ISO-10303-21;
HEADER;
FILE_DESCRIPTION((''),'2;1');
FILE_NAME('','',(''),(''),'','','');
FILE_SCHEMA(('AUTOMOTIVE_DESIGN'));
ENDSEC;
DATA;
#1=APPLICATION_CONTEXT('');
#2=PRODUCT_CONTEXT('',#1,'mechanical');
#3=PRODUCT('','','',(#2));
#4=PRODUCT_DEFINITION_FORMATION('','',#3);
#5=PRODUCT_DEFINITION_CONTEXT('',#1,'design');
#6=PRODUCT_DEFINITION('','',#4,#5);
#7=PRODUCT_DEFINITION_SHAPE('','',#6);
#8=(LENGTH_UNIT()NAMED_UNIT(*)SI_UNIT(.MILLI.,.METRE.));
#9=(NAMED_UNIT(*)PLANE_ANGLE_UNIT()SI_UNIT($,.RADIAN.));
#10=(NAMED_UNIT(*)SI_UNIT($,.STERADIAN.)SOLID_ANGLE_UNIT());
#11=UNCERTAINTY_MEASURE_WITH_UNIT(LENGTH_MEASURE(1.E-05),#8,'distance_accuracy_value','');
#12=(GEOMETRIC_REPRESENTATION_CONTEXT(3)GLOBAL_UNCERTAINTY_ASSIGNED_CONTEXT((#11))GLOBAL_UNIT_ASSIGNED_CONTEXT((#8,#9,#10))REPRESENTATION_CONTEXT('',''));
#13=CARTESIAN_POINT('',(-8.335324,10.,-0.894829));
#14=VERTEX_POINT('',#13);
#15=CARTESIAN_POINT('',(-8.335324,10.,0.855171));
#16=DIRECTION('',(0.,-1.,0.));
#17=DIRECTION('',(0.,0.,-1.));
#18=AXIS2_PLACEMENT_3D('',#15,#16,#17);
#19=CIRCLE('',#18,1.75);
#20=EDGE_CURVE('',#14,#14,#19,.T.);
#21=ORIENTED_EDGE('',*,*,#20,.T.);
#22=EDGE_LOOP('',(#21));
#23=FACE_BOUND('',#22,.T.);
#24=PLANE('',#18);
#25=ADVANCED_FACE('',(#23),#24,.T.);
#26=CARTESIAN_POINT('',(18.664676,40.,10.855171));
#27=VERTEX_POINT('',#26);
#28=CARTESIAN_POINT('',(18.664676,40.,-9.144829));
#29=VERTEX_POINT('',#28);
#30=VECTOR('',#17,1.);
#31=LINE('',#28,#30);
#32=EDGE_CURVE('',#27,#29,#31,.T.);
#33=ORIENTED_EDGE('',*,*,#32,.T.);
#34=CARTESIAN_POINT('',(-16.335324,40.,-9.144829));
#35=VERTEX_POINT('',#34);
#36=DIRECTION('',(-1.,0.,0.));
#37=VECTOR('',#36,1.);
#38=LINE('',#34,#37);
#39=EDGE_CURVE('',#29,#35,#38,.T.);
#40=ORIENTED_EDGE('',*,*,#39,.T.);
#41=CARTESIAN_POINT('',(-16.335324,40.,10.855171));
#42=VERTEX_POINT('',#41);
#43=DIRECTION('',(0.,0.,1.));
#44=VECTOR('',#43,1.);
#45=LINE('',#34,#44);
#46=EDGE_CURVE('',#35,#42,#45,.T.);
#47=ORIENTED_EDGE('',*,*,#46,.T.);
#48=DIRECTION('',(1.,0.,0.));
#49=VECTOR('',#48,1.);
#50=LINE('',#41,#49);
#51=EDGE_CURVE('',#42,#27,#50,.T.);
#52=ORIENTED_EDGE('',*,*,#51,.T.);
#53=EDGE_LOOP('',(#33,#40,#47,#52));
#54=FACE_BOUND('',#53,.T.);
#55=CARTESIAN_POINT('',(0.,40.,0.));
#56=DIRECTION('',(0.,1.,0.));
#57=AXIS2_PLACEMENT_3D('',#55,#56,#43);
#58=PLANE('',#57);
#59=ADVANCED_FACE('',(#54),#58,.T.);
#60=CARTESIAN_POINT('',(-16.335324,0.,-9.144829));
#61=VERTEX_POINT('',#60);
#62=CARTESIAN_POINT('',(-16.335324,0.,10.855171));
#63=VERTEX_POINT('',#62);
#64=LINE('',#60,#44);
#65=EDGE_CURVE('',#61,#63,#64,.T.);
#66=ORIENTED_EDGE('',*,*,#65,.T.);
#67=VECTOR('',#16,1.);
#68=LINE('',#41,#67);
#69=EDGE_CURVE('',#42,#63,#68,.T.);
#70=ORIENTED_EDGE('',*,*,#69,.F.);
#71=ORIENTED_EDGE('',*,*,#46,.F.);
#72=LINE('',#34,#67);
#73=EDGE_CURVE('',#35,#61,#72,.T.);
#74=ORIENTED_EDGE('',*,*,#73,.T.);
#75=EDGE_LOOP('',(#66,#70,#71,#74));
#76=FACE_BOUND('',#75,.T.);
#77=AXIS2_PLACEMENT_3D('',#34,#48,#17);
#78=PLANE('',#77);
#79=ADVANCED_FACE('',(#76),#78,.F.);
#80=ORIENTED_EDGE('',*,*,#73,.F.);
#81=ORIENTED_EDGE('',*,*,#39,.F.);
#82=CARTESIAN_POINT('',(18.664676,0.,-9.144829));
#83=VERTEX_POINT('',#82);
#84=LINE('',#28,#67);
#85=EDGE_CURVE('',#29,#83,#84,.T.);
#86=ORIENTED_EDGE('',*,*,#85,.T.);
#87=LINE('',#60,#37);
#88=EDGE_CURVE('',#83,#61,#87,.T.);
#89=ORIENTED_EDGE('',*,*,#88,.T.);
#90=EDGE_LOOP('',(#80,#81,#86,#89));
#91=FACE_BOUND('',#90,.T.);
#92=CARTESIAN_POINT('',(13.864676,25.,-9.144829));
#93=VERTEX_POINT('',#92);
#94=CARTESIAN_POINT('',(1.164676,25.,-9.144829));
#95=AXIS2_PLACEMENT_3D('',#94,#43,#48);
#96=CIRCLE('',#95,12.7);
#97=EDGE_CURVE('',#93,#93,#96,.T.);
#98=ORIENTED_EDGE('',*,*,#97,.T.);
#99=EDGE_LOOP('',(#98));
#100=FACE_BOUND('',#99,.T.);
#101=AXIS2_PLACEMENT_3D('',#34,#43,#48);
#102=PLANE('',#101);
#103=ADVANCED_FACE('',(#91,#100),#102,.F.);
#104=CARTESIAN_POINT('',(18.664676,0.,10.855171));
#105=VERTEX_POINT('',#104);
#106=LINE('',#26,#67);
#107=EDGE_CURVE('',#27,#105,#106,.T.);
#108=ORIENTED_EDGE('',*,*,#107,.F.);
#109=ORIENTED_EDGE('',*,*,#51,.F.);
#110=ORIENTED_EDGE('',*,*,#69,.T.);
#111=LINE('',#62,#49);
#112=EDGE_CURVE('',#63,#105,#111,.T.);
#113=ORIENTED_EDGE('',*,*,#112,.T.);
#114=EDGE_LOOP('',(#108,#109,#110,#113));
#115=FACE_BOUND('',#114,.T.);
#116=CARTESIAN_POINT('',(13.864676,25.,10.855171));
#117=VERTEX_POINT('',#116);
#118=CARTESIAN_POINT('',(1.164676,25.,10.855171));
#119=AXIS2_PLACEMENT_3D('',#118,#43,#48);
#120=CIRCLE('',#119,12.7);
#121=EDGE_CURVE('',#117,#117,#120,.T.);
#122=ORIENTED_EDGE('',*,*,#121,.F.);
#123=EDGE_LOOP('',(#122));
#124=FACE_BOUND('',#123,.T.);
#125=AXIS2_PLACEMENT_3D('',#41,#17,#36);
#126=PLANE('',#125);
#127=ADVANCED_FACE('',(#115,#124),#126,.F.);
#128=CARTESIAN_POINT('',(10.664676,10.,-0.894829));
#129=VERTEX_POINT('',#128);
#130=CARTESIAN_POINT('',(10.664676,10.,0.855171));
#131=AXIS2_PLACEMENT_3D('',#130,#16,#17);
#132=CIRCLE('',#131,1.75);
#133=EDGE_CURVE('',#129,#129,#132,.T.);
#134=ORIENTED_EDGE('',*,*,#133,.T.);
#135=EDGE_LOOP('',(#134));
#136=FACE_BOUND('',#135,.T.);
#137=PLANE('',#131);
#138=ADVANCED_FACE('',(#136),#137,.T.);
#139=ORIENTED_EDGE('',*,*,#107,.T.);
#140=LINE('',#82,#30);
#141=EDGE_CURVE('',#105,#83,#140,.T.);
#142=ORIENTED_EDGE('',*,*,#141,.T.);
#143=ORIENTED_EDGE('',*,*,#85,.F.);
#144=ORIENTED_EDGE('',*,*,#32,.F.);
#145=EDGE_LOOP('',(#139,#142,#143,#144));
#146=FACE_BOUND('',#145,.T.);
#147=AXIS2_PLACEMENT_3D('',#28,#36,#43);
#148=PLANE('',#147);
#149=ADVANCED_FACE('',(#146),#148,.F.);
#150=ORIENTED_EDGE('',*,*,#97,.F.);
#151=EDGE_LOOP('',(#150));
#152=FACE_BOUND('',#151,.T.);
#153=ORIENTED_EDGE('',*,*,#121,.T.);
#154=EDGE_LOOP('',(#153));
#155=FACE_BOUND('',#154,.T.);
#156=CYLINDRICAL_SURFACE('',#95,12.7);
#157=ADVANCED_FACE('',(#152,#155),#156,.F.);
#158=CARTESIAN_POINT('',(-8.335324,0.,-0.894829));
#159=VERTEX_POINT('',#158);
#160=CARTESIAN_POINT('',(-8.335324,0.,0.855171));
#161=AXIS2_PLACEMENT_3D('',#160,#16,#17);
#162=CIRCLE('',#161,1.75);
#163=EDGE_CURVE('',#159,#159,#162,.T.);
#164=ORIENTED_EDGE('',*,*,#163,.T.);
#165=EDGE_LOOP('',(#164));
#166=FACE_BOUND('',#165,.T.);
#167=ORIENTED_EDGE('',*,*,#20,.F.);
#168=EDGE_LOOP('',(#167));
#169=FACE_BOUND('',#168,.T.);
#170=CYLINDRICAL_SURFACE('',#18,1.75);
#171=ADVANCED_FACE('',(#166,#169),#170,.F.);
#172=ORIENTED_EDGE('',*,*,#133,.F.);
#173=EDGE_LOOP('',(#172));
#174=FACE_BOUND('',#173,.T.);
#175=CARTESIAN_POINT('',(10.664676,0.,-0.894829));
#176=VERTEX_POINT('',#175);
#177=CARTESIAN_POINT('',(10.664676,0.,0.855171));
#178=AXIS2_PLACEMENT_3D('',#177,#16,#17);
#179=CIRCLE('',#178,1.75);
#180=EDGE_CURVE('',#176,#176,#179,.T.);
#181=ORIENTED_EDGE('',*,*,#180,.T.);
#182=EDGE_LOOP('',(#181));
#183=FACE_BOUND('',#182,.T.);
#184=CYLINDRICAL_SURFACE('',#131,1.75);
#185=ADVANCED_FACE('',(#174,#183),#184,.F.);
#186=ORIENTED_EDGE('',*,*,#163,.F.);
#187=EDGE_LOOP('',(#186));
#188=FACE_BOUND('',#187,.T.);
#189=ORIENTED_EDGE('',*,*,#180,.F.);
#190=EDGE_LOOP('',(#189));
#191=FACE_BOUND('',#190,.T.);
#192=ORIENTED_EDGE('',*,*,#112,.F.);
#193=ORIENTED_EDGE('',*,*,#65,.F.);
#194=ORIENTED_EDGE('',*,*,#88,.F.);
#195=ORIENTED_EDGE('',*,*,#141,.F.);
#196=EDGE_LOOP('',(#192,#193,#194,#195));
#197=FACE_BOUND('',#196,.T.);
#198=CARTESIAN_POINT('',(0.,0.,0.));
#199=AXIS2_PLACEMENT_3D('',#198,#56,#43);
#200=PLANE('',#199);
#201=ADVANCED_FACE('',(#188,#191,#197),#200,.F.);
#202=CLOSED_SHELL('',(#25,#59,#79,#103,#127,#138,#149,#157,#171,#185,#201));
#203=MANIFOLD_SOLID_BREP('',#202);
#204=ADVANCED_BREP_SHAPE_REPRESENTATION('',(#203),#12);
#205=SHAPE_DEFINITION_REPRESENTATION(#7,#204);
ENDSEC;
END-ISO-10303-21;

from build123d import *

# Parameters (mm, degrees)
SKETCH1_W           = 35
SKETCH1_H           = 20
BOSS_EXTRUDE1_DEPTH = 40
SKETCH2_R           = 12.7
CUT_EXTRUDE1_DEPTH  = 21
SKETCH3_R           = 1.75
CUT_EXTRUDE2_DEPTH  = 10


with BuildPart() as part:
    # Sketch1 → Boss-Extrude1 (new body)
    with BuildSketch(Plane(origin=(0, 0, 0), x_dir=(1, 0, 0), z_dir=(0, 1, 0))):
        with Locations((1.164675851, -0.855170824)):
            Rectangle(SKETCH1_W, SKETCH1_H)
    extrude(amount=BOSS_EXTRUDE1_DEPTH)

    # Sketch2 → Cut-Extrude1 (cut, through all)
    with BuildSketch(Plane.XY.offset(10.855170824)):
        with Locations((1.164675851, 25)):
            Circle(SKETCH2_R)
    extrude(amount=-CUT_EXTRUDE1_DEPTH, mode=Mode.SUBTRACT)

    # Sketch3 → Cut-Extrude2 (cut)
    with BuildSketch(Plane.XZ):
        with Locations((-8.335324149, 0.855170824)):
            Circle(SKETCH3_R)
        with Locations((10.664675851, 0.855170824)):
            Circle(SKETCH3_R)
    extrude(amount=-CUT_EXTRUDE2_DEPTH, mode=Mode.SUBTRACT)


solid = part.part
